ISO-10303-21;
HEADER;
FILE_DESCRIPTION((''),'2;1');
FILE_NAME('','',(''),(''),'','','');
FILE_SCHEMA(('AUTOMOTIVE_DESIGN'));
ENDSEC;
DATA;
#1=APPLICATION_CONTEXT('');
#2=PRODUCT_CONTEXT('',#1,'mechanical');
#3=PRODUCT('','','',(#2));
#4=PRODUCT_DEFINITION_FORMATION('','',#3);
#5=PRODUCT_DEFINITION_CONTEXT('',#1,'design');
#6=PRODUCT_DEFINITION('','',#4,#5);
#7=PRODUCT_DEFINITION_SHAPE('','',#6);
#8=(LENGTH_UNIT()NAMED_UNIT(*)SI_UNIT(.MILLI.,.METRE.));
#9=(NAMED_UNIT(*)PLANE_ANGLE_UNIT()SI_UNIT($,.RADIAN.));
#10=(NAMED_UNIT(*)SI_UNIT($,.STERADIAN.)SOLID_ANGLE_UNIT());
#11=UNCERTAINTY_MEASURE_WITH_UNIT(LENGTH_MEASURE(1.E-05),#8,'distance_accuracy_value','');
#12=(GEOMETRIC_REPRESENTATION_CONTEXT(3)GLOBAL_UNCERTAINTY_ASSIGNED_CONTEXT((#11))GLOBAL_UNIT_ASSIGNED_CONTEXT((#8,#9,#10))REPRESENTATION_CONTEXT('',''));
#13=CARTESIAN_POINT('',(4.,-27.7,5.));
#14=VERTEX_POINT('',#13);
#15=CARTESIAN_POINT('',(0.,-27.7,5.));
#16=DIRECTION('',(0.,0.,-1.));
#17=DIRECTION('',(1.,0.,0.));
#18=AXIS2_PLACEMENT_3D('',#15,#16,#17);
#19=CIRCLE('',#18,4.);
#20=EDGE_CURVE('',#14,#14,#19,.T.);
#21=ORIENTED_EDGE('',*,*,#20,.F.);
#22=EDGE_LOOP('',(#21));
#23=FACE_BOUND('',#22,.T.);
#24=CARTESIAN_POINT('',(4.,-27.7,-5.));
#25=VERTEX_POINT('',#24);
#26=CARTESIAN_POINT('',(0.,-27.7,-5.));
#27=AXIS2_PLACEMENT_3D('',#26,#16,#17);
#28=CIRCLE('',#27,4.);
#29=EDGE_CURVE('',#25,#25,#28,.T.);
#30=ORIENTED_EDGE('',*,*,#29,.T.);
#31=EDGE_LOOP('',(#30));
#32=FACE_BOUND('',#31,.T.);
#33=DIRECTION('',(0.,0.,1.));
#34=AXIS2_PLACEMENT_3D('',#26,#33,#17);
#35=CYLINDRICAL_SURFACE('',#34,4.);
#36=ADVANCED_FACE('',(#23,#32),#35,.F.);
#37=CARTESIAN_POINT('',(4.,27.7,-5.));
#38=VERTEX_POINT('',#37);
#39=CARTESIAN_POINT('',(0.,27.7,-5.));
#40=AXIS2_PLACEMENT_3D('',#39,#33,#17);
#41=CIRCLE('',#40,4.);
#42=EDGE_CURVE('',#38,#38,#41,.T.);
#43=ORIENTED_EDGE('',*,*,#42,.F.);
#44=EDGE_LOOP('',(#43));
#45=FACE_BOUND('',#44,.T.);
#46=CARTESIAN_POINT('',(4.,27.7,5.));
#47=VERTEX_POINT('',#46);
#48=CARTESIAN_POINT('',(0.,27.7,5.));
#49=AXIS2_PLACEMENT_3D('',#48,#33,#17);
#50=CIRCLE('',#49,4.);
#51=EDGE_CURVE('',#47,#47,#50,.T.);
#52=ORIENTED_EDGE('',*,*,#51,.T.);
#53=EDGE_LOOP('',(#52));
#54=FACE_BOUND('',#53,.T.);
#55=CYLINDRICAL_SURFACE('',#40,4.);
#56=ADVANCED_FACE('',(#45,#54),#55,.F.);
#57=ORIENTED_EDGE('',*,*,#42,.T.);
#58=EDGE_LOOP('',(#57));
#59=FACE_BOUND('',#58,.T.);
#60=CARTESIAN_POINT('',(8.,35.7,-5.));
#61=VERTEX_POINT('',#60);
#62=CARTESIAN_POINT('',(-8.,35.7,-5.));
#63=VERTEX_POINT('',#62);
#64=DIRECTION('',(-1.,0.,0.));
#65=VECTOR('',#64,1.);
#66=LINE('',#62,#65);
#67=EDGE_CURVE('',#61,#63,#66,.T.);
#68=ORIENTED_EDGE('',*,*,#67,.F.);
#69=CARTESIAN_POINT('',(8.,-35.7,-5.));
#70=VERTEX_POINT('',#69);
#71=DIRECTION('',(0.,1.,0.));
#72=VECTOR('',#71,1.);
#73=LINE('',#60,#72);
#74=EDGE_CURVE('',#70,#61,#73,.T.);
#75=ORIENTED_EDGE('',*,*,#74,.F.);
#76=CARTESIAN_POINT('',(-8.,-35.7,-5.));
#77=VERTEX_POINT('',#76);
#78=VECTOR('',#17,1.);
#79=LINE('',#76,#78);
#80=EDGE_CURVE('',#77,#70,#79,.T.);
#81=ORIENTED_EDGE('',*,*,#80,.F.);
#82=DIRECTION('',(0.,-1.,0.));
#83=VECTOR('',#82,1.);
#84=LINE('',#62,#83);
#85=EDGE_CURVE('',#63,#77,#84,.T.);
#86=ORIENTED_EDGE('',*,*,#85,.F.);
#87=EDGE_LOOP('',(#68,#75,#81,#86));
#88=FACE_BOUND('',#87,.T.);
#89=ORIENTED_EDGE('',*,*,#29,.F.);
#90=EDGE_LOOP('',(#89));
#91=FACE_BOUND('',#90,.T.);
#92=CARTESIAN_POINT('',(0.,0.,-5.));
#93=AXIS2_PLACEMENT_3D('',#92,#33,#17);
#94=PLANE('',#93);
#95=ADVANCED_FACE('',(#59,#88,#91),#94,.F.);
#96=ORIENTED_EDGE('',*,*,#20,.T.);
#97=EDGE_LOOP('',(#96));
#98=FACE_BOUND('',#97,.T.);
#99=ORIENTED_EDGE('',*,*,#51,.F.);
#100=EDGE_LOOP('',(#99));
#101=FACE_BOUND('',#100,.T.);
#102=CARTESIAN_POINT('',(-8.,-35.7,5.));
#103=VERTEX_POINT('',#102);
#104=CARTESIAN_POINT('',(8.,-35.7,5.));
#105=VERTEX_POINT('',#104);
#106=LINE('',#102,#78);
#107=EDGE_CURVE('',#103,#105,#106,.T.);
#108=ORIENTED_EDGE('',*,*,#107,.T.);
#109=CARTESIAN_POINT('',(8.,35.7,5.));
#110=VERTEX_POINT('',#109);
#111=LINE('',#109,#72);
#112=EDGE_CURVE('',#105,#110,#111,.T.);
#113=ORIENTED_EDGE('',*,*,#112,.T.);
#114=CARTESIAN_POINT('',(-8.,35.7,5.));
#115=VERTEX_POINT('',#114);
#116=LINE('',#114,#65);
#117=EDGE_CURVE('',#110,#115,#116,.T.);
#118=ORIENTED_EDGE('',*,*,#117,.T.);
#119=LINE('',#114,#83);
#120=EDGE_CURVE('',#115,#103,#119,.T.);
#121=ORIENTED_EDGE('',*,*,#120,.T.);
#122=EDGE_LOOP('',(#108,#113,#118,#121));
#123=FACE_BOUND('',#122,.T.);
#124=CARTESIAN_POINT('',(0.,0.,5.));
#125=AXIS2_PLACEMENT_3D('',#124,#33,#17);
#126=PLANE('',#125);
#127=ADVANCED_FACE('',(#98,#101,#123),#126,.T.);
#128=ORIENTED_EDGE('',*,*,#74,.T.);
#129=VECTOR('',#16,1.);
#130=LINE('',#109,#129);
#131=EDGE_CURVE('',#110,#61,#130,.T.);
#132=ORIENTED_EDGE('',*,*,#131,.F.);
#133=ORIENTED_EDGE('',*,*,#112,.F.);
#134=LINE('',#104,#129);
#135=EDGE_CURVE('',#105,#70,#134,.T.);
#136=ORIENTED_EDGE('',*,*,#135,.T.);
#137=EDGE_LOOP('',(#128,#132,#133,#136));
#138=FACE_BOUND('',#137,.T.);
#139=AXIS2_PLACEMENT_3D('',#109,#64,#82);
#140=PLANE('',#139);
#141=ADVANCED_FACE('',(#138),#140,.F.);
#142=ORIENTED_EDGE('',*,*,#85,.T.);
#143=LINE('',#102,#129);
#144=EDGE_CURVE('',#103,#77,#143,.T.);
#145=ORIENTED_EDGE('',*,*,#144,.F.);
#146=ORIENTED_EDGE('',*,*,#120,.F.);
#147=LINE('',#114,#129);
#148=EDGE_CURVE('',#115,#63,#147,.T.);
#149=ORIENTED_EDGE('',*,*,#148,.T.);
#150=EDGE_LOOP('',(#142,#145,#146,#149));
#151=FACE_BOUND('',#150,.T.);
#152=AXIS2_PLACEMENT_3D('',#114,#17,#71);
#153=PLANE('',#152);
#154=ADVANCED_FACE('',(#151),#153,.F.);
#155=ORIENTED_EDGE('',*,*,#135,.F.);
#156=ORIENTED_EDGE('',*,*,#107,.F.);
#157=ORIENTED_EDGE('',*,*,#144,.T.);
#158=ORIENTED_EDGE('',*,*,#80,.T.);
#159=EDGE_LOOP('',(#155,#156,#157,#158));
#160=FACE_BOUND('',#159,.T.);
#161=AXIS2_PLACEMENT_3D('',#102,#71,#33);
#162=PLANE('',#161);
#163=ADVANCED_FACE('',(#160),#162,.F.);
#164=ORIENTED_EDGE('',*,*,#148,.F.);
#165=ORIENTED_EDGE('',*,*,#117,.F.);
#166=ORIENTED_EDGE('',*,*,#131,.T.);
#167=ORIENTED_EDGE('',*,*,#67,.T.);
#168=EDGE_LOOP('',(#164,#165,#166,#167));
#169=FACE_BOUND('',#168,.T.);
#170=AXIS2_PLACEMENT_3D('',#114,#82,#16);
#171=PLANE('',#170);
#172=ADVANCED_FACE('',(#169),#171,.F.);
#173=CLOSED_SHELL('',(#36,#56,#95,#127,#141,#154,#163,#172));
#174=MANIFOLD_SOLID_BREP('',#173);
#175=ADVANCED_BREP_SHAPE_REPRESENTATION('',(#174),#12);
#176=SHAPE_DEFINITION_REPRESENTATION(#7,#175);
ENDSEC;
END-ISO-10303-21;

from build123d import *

# Parameters (mm, degrees)
SKETCH1_W      = 16
SKETCH1_H      = 71.4
BODY_DEPTH     = 5
SKETCH2_R      = 4
TOP_HOLE_DEPTH = 11


with BuildPart() as part:
    # Sketch1 → Body (new body, symmetric)
    with BuildSketch(Plane.XY):
        Rectangle(SKETCH1_W, SKETCH1_H)
    extrude(amount=BODY_DEPTH, both=True)

    # Sketch2 → Top Hole (cut, through all)
    with BuildSketch(Plane.XY.offset(5)):
        with Locations((0, 27.7)):
            Circle(SKETCH2_R)
    top_hole = extrude(amount=-TOP_HOLE_DEPTH, mode=Mode.SUBTRACT)

    # Bottom Hole: Top Hole across plane
    add(top_hole.mirror(Plane.ZX), mode=Mode.SUBTRACT)


solid = part.part
